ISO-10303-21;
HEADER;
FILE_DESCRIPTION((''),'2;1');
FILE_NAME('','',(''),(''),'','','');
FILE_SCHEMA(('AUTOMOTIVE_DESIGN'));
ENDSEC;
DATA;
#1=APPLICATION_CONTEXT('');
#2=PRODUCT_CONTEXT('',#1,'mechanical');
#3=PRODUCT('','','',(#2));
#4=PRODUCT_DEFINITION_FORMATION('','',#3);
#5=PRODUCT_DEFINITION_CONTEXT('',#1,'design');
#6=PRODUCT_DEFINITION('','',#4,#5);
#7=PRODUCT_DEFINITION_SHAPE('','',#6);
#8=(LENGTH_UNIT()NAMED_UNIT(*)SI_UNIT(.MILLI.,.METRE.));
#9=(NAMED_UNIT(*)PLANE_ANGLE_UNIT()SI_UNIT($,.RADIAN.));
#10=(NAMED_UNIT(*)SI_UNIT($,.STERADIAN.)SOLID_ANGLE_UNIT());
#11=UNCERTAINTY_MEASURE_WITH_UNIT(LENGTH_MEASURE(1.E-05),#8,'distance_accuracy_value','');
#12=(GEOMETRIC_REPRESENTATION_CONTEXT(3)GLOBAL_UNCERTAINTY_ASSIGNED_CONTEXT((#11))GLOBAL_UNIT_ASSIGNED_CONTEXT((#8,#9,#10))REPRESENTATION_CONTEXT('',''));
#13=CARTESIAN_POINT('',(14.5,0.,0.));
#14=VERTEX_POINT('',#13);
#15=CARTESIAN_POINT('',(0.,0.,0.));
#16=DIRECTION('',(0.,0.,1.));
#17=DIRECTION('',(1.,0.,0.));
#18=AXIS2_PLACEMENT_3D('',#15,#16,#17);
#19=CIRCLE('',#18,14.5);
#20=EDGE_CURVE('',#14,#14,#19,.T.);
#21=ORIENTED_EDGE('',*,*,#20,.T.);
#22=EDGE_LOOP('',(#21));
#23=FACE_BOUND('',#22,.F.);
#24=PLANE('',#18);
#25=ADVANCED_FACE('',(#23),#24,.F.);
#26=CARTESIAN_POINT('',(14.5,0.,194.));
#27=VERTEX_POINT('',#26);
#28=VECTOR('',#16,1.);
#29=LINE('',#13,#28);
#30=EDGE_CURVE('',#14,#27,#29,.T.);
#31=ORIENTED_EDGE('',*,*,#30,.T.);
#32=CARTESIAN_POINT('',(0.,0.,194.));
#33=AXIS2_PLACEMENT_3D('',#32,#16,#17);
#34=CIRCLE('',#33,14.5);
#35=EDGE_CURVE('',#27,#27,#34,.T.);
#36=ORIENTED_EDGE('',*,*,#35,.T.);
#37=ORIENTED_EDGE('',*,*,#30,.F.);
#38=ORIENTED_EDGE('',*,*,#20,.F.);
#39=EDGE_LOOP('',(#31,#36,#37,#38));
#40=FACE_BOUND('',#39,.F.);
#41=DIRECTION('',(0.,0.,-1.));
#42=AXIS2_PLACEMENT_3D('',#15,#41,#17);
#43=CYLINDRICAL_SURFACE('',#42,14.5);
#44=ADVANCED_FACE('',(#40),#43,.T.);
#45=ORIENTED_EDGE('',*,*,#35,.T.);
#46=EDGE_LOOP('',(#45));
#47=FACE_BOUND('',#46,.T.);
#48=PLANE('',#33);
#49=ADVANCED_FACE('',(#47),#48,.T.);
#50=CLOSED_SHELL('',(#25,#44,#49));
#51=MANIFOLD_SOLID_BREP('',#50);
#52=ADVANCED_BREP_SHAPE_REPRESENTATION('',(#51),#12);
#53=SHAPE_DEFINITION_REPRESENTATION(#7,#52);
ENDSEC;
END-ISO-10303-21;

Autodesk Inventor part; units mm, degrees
ref_plane "YZ Plane" through (0, 0, 0) normal (1, 0, 0) x (0, 1, 0)
ref_plane "XZ Plane" through (0, 0, 0) normal (0, 1, 0) x (-1, 0, 0)
ref_plane "XY Plane" through (0, 0, 0) normal (0, 0, 1) x (1, 0, 0)
sketch "Sketch1" plane through (0, 0, 0) normal (0, 0, 1) x (1, 0, 0)
  circle A0 centre (0, 0) radius 14.5
  dimension "d0" = 29
extrude "Extrusion1" add sketch "Sketch1" along normal blind 194
properties part number "Motor"
